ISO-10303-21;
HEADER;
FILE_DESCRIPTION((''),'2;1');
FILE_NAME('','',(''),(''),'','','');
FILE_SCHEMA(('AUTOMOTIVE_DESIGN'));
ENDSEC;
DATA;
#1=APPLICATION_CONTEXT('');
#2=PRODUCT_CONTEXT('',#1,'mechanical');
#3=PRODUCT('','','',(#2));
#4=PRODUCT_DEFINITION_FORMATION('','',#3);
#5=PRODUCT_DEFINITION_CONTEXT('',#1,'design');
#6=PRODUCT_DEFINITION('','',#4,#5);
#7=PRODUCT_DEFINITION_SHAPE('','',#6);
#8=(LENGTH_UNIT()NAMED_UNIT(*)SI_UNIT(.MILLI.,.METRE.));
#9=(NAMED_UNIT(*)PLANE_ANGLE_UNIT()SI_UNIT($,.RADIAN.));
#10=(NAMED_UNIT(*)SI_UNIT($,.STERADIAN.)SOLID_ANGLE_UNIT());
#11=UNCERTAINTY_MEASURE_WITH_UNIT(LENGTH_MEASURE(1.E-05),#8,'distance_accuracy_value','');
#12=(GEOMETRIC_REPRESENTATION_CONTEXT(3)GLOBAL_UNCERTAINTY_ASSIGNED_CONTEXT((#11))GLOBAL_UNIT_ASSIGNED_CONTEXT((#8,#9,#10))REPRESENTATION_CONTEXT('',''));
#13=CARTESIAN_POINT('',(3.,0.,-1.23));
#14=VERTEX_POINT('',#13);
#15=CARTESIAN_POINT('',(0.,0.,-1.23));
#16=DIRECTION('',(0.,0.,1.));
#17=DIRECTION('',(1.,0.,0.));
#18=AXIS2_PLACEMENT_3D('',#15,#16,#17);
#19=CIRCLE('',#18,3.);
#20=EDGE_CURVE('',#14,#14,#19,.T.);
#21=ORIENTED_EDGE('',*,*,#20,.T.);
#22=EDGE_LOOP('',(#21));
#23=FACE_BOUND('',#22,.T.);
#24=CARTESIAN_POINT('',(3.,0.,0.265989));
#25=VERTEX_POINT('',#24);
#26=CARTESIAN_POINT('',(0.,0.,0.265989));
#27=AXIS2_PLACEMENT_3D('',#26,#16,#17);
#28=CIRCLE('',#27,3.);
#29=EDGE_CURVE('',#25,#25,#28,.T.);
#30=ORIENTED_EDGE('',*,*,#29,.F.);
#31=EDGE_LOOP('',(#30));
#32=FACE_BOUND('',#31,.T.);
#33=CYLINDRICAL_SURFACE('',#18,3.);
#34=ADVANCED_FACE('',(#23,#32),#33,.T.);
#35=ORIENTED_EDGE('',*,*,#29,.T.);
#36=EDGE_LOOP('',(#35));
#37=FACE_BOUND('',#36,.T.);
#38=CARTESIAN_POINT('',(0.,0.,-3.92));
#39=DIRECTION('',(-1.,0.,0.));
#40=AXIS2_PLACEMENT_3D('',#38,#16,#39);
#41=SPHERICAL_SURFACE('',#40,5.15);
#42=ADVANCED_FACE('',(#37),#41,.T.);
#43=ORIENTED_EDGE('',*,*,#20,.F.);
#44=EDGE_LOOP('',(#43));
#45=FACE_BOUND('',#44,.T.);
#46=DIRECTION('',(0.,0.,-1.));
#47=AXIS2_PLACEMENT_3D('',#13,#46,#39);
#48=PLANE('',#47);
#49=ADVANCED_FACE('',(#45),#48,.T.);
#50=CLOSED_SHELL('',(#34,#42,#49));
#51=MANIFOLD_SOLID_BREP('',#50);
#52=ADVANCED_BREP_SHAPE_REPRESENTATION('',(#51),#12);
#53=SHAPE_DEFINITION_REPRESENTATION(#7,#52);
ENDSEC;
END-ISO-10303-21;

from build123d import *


with BuildPart() as part:
    # Skizze1 → Rotation1 (revolve)
    with BuildSketch(Plane(origin=(0, 0, 0), x_dir=(1, 0, 0), z_dir=(0, 1, 0))):
        with BuildLine():
            Line((3, 1.23), (0, 1.23))
            Line((0, 1.23), (0, -1.23))
            ThreePointArc((0, -1.23), (1.575541027, -0.983077653), (3, -0.265988533))
            Line((3, -0.265988533), (3, 1.23))
        make_face()
    revolve(axis=Axis((0, 0, -1.23), (0, 0, 1)))


solid = part.part
